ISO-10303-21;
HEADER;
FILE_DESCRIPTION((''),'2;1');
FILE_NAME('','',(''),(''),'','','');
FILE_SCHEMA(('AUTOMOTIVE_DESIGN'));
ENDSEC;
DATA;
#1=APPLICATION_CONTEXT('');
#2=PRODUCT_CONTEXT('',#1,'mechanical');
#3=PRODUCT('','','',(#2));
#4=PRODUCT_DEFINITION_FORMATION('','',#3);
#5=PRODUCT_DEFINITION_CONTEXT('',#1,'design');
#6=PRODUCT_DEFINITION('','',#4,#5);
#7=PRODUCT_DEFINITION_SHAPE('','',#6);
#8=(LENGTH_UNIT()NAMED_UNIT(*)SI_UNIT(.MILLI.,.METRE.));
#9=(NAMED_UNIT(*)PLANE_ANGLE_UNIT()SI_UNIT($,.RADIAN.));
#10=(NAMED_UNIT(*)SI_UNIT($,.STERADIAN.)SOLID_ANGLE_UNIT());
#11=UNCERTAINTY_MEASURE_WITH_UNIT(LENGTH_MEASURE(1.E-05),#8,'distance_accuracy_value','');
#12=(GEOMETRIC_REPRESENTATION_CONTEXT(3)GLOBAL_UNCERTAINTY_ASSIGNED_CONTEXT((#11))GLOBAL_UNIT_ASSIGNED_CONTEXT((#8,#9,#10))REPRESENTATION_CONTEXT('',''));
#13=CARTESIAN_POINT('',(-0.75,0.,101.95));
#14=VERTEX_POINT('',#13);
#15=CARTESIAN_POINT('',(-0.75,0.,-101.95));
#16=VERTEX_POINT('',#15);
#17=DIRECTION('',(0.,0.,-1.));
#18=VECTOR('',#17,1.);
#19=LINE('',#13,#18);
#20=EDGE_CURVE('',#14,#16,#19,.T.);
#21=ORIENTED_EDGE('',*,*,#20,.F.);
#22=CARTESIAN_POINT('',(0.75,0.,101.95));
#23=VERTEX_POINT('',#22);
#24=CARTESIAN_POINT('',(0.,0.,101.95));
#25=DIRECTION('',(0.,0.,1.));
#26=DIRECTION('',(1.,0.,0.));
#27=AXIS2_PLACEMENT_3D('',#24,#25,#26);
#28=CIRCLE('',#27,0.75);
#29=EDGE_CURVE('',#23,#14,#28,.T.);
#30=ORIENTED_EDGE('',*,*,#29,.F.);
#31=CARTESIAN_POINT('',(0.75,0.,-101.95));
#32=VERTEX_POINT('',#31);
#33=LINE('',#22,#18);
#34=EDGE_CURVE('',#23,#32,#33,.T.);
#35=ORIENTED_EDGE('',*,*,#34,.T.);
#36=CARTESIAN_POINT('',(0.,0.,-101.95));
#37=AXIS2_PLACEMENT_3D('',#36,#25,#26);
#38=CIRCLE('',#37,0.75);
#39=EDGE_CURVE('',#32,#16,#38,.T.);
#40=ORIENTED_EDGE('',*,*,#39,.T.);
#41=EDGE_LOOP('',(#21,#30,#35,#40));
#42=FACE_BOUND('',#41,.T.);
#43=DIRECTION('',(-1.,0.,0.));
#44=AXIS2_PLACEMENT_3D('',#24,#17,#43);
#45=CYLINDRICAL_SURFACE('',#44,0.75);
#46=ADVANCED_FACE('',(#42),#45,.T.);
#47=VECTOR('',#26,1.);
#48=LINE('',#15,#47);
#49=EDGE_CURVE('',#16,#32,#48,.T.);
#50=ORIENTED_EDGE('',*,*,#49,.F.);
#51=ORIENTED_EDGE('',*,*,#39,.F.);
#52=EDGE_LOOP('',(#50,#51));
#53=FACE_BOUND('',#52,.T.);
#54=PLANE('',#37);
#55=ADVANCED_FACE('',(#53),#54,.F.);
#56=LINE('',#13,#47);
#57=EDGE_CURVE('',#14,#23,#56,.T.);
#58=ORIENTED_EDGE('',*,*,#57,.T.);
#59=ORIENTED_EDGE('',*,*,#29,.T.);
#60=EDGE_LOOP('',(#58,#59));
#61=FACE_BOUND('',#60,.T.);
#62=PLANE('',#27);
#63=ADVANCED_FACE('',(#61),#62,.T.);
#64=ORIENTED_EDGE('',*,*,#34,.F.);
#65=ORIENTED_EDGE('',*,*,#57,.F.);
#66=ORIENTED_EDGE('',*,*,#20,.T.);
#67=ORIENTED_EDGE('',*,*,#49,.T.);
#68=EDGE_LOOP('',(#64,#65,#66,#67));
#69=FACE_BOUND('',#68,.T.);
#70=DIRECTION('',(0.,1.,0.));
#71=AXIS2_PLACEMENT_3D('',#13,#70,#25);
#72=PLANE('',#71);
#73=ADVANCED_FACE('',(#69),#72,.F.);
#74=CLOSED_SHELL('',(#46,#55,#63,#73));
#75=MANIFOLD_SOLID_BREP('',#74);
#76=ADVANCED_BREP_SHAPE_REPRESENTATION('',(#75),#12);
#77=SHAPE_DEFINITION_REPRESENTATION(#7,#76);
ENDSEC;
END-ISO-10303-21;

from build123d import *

# Parameters (mm, degrees)
EXTRUDE1_DEPTH = 101.95


with BuildPart() as part:
    # Sketch1 → Extrude1 (new body, symmetric)
    with BuildSketch(Plane.XY):
        with BuildLine():
            Line((-0.75, 0), (0.75, 0))
            ThreePointArc((0.75, 0), (0, 0.75), (-0.75, 0))
        make_face()
    extrude(amount=EXTRUDE1_DEPTH, both=True)


solid = part.part
